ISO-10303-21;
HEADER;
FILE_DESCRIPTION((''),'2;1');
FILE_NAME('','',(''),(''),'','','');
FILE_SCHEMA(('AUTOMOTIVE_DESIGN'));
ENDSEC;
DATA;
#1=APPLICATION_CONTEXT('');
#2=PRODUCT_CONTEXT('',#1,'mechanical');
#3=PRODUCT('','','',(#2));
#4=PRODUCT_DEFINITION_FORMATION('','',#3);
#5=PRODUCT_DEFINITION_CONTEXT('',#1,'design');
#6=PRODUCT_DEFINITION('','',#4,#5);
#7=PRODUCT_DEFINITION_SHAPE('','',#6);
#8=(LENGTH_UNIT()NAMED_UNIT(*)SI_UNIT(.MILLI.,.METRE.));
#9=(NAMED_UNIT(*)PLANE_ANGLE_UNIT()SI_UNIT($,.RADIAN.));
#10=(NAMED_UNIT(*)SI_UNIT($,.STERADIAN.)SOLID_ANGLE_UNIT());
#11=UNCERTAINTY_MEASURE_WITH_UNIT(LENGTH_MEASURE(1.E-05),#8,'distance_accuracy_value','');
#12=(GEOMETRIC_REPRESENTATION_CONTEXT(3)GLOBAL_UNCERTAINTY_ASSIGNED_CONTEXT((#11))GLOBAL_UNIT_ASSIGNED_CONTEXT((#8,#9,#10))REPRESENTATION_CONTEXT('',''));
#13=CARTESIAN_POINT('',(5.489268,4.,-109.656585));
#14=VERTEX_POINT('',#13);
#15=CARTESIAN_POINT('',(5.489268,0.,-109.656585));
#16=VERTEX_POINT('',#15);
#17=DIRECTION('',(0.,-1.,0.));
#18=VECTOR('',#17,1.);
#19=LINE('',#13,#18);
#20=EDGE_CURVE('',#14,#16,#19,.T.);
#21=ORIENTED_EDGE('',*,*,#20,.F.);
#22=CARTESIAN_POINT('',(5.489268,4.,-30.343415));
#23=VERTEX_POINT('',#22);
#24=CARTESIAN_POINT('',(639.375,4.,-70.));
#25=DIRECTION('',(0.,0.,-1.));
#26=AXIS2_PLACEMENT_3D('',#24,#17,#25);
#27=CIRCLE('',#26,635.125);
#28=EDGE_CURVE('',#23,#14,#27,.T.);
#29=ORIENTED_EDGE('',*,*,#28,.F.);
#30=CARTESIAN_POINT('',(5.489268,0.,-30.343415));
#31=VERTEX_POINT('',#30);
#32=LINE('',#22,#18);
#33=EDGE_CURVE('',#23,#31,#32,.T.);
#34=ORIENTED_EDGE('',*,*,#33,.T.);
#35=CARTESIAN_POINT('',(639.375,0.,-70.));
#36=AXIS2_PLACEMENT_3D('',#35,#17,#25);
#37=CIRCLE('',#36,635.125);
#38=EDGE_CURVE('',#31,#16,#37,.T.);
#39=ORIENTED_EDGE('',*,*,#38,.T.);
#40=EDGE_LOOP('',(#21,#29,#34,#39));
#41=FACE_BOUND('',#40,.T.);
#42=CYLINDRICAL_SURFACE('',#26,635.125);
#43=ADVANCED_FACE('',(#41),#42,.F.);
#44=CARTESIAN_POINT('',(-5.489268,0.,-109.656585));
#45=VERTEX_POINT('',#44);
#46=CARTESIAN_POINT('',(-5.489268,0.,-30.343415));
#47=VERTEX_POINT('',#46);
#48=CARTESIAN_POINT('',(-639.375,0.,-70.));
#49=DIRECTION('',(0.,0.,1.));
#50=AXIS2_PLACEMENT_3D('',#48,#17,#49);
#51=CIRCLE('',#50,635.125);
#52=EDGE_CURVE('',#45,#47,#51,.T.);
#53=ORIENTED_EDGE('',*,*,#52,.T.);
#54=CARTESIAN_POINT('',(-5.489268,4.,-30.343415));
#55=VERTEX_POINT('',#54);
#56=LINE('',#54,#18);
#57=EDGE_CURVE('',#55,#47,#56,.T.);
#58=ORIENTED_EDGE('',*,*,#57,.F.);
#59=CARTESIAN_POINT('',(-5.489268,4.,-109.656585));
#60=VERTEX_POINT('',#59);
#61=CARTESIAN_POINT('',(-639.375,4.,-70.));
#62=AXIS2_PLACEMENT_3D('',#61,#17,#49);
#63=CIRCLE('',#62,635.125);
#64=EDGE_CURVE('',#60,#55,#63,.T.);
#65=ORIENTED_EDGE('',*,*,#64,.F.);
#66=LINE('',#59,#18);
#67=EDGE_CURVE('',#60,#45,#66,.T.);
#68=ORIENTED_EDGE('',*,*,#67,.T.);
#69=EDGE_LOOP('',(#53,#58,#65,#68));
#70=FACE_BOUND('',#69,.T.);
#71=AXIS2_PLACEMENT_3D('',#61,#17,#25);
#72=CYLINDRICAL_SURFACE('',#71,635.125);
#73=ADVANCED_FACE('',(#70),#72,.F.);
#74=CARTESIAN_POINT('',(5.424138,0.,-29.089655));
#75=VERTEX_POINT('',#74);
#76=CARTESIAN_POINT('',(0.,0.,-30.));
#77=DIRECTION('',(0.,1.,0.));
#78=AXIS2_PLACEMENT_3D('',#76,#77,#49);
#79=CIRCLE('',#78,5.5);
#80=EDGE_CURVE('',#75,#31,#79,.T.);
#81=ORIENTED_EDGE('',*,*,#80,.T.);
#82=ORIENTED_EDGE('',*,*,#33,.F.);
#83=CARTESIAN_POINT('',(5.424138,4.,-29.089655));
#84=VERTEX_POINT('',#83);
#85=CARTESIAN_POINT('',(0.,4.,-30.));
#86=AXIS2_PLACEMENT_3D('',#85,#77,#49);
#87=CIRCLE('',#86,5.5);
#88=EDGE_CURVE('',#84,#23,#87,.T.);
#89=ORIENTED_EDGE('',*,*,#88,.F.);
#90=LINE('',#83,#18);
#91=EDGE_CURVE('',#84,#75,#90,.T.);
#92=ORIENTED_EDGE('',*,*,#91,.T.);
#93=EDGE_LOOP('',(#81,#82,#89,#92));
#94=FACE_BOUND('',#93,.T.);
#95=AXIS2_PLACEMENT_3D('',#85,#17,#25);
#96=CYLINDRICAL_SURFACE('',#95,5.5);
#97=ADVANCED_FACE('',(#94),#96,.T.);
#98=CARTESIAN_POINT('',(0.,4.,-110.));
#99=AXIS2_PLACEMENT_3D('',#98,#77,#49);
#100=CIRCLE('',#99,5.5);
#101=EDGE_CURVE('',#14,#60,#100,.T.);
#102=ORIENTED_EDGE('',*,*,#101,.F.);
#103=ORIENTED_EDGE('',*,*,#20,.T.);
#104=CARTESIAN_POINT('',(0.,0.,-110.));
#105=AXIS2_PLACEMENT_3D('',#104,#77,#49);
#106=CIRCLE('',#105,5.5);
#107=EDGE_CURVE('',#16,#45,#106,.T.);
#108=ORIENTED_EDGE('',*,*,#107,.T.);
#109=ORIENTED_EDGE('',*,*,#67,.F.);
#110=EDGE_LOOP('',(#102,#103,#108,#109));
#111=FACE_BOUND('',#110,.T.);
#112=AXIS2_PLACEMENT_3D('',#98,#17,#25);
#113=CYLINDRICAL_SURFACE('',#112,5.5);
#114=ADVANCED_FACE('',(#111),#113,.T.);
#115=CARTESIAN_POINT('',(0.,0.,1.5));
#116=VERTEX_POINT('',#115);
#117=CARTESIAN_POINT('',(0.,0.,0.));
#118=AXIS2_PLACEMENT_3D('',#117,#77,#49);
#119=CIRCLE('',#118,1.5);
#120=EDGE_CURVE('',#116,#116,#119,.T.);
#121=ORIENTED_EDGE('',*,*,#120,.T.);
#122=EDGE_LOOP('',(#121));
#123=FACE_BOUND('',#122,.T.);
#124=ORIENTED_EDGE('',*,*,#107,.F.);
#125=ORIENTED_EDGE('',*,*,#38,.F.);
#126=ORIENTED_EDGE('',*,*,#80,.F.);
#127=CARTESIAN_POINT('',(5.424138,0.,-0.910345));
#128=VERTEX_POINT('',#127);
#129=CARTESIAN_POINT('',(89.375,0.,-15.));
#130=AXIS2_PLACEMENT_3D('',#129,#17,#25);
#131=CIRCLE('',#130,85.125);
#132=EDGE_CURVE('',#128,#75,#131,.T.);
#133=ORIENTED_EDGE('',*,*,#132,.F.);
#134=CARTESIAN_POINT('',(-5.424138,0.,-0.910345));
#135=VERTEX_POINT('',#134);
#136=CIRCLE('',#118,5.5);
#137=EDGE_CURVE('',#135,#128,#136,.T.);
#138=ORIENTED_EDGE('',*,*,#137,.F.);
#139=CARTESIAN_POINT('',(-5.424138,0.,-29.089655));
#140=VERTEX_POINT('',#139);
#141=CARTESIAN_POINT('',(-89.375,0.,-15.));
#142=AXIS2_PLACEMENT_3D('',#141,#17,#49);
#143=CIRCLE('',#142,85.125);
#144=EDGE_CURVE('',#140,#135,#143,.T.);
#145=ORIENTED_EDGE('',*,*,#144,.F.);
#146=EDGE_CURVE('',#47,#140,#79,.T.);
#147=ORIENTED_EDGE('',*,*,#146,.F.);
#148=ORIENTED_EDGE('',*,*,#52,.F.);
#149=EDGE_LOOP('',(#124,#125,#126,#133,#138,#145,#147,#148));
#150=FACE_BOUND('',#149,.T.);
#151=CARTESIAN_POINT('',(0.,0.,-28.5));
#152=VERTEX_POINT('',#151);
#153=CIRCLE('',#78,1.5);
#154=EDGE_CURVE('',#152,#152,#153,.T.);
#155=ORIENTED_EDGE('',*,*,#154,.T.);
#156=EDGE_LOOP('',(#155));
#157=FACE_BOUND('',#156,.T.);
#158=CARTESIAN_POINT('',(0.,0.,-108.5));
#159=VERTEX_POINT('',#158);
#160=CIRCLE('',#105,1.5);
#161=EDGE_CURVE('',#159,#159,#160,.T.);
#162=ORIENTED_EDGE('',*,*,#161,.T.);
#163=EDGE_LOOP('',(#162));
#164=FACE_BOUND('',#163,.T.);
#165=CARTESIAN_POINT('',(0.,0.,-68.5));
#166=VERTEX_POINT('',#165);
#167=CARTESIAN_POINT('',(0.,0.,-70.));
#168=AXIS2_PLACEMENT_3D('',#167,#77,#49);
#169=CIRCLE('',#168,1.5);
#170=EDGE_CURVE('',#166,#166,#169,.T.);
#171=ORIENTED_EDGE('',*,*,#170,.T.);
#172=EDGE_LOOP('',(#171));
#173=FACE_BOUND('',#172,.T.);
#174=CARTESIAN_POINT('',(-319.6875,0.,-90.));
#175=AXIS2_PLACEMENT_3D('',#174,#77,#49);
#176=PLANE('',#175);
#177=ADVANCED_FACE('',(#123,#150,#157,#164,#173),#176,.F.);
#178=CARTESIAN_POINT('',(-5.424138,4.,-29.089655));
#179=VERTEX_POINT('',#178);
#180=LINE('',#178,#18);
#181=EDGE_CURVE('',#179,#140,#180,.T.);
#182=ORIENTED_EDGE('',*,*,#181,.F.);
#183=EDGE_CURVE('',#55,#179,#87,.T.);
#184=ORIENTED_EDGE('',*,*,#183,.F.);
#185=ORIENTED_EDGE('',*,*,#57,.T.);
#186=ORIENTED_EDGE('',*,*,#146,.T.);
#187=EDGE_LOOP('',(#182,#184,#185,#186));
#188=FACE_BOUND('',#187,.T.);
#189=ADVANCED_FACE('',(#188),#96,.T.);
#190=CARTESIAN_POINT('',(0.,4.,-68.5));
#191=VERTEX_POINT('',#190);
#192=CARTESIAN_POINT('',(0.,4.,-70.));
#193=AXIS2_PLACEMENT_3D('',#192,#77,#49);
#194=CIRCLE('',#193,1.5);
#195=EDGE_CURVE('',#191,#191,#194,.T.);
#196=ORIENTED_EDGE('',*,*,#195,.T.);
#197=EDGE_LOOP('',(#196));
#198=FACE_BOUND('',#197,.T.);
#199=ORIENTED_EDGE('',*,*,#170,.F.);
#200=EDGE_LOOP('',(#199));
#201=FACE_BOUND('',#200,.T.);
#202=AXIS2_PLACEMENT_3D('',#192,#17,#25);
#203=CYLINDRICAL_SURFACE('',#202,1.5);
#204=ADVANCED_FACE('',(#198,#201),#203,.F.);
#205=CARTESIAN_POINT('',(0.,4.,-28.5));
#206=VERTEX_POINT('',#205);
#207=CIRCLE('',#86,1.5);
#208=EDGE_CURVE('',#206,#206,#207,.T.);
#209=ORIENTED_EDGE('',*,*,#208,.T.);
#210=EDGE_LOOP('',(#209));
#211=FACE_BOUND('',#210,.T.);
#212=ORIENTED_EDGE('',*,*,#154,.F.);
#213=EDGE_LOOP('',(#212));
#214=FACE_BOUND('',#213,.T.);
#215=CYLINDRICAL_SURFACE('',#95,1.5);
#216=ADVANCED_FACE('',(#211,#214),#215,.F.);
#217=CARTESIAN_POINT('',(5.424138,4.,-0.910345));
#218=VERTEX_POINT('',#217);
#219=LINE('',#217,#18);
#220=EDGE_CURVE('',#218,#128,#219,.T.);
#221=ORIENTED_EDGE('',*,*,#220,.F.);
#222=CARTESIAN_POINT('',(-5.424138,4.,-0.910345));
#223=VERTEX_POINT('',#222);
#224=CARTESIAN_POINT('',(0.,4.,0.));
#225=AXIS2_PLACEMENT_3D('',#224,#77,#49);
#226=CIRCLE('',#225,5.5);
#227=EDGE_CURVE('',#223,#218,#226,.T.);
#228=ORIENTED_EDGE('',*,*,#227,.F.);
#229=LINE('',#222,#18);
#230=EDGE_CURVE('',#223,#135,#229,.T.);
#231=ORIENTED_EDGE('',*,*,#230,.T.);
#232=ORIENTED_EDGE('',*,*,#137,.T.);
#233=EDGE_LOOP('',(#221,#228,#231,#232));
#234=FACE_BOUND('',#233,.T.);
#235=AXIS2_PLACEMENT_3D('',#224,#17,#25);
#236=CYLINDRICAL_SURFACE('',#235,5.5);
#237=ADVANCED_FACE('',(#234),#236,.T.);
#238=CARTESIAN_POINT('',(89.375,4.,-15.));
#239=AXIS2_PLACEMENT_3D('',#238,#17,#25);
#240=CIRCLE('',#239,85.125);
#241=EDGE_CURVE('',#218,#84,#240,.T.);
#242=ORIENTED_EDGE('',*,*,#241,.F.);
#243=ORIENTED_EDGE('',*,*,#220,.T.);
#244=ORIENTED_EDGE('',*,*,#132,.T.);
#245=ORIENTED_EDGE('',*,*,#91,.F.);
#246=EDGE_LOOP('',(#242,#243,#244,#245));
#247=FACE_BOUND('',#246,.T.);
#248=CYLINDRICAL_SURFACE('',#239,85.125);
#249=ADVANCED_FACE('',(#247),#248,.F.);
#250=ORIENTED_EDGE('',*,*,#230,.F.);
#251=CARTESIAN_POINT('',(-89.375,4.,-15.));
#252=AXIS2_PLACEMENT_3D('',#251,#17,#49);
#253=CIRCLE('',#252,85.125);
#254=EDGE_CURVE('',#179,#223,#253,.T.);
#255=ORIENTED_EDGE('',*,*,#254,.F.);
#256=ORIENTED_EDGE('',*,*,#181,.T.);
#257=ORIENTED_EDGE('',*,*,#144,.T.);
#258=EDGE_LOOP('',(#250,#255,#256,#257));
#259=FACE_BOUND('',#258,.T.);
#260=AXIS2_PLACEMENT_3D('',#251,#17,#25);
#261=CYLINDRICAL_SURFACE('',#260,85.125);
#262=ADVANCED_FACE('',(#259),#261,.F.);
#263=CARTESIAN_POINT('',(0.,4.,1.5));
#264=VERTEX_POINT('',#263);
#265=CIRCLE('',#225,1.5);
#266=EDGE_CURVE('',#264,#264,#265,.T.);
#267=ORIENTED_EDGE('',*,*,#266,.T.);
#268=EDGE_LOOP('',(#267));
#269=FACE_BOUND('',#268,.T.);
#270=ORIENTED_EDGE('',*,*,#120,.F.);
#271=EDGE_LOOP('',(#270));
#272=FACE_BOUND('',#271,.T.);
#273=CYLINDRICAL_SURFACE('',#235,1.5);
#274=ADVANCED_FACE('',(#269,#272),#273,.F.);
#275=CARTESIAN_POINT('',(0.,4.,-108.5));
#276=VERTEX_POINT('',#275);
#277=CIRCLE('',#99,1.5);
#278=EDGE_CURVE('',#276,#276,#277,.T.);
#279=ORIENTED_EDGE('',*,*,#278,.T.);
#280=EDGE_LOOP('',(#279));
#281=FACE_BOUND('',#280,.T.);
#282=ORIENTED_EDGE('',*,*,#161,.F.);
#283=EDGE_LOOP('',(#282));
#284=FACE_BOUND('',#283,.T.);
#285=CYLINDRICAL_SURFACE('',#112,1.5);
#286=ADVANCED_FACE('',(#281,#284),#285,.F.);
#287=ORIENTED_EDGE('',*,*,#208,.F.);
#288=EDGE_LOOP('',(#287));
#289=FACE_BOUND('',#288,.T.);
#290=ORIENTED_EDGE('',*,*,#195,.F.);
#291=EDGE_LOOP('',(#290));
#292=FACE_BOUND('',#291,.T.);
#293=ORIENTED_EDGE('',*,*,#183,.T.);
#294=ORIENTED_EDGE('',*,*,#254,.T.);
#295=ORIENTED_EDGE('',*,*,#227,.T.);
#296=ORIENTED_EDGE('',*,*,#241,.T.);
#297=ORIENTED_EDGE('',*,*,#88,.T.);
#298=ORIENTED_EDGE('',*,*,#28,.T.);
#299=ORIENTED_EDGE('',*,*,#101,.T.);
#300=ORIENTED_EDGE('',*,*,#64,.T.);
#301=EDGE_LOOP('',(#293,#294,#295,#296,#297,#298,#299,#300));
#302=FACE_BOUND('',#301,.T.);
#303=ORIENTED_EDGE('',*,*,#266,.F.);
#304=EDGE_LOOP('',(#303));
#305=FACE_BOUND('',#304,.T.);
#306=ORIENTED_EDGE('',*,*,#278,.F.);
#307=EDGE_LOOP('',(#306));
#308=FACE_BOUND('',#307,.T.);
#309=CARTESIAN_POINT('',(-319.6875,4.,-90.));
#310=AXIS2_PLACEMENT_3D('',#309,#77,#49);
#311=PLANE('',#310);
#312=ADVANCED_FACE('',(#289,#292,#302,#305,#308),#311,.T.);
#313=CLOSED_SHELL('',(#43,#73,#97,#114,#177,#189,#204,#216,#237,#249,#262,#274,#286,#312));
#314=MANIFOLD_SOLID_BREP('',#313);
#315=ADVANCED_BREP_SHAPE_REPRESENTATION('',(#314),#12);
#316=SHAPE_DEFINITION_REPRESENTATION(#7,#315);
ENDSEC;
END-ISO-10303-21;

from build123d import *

# Parameters (mm, degrees)
SKETCH1_R           = 1.5
BOSS_EXTRUDE1_DEPTH = 4


with BuildPart() as part:
    # Sketch1 → Boss-Extrude1 (new body)
    with BuildSketch(Plane(origin=(0, 0, 0), x_dir=(1, 0, 0), z_dir=(0, 1, 0))):
        with BuildLine():
            ThreePointArc((-5.424137931, 0.910344828), (0, -5.5), (5.424137931, 0.910344828))
            ThreePointArc((5.424137931, 0.910344828), (4.25, 15), (5.424137931, 29.089655172))
            ThreePointArc((5.424137931, 29.089655172), (5.492593836, 29.71467045), (5.489268293, 30.343414634))
            ThreePointArc((5.489268293, 30.343414634), (4.25, 70), (5.489268293, 109.656585366))
            ThreePointArc((5.489268293, 109.656585366), (0, 115.5), (-5.489268293, 109.656585366))
            ThreePointArc((-5.489268293, 109.656585366), (-4.25, 70), (-5.489268293, 30.343414634))
            ThreePointArc((-5.489268293, 30.343414634), (-5.492593836, 29.71467045), (-5.424137931, 29.089655172))
            ThreePointArc((-5.424137931, 29.089655172), (-4.25, 15), (-5.424137931, 0.910344828))
        make_face()
        Circle(SKETCH1_R, mode=Mode.SUBTRACT)
        with Locations((0, 110)):
            Circle(SKETCH1_R, mode=Mode.SUBTRACT)
        with Locations((0, 30)):
            Circle(SKETCH1_R, mode=Mode.SUBTRACT)
        with Locations((0, 70)):
            Circle(SKETCH1_R, mode=Mode.SUBTRACT)
    extrude(amount=BOSS_EXTRUDE1_DEPTH)


solid = part.part
